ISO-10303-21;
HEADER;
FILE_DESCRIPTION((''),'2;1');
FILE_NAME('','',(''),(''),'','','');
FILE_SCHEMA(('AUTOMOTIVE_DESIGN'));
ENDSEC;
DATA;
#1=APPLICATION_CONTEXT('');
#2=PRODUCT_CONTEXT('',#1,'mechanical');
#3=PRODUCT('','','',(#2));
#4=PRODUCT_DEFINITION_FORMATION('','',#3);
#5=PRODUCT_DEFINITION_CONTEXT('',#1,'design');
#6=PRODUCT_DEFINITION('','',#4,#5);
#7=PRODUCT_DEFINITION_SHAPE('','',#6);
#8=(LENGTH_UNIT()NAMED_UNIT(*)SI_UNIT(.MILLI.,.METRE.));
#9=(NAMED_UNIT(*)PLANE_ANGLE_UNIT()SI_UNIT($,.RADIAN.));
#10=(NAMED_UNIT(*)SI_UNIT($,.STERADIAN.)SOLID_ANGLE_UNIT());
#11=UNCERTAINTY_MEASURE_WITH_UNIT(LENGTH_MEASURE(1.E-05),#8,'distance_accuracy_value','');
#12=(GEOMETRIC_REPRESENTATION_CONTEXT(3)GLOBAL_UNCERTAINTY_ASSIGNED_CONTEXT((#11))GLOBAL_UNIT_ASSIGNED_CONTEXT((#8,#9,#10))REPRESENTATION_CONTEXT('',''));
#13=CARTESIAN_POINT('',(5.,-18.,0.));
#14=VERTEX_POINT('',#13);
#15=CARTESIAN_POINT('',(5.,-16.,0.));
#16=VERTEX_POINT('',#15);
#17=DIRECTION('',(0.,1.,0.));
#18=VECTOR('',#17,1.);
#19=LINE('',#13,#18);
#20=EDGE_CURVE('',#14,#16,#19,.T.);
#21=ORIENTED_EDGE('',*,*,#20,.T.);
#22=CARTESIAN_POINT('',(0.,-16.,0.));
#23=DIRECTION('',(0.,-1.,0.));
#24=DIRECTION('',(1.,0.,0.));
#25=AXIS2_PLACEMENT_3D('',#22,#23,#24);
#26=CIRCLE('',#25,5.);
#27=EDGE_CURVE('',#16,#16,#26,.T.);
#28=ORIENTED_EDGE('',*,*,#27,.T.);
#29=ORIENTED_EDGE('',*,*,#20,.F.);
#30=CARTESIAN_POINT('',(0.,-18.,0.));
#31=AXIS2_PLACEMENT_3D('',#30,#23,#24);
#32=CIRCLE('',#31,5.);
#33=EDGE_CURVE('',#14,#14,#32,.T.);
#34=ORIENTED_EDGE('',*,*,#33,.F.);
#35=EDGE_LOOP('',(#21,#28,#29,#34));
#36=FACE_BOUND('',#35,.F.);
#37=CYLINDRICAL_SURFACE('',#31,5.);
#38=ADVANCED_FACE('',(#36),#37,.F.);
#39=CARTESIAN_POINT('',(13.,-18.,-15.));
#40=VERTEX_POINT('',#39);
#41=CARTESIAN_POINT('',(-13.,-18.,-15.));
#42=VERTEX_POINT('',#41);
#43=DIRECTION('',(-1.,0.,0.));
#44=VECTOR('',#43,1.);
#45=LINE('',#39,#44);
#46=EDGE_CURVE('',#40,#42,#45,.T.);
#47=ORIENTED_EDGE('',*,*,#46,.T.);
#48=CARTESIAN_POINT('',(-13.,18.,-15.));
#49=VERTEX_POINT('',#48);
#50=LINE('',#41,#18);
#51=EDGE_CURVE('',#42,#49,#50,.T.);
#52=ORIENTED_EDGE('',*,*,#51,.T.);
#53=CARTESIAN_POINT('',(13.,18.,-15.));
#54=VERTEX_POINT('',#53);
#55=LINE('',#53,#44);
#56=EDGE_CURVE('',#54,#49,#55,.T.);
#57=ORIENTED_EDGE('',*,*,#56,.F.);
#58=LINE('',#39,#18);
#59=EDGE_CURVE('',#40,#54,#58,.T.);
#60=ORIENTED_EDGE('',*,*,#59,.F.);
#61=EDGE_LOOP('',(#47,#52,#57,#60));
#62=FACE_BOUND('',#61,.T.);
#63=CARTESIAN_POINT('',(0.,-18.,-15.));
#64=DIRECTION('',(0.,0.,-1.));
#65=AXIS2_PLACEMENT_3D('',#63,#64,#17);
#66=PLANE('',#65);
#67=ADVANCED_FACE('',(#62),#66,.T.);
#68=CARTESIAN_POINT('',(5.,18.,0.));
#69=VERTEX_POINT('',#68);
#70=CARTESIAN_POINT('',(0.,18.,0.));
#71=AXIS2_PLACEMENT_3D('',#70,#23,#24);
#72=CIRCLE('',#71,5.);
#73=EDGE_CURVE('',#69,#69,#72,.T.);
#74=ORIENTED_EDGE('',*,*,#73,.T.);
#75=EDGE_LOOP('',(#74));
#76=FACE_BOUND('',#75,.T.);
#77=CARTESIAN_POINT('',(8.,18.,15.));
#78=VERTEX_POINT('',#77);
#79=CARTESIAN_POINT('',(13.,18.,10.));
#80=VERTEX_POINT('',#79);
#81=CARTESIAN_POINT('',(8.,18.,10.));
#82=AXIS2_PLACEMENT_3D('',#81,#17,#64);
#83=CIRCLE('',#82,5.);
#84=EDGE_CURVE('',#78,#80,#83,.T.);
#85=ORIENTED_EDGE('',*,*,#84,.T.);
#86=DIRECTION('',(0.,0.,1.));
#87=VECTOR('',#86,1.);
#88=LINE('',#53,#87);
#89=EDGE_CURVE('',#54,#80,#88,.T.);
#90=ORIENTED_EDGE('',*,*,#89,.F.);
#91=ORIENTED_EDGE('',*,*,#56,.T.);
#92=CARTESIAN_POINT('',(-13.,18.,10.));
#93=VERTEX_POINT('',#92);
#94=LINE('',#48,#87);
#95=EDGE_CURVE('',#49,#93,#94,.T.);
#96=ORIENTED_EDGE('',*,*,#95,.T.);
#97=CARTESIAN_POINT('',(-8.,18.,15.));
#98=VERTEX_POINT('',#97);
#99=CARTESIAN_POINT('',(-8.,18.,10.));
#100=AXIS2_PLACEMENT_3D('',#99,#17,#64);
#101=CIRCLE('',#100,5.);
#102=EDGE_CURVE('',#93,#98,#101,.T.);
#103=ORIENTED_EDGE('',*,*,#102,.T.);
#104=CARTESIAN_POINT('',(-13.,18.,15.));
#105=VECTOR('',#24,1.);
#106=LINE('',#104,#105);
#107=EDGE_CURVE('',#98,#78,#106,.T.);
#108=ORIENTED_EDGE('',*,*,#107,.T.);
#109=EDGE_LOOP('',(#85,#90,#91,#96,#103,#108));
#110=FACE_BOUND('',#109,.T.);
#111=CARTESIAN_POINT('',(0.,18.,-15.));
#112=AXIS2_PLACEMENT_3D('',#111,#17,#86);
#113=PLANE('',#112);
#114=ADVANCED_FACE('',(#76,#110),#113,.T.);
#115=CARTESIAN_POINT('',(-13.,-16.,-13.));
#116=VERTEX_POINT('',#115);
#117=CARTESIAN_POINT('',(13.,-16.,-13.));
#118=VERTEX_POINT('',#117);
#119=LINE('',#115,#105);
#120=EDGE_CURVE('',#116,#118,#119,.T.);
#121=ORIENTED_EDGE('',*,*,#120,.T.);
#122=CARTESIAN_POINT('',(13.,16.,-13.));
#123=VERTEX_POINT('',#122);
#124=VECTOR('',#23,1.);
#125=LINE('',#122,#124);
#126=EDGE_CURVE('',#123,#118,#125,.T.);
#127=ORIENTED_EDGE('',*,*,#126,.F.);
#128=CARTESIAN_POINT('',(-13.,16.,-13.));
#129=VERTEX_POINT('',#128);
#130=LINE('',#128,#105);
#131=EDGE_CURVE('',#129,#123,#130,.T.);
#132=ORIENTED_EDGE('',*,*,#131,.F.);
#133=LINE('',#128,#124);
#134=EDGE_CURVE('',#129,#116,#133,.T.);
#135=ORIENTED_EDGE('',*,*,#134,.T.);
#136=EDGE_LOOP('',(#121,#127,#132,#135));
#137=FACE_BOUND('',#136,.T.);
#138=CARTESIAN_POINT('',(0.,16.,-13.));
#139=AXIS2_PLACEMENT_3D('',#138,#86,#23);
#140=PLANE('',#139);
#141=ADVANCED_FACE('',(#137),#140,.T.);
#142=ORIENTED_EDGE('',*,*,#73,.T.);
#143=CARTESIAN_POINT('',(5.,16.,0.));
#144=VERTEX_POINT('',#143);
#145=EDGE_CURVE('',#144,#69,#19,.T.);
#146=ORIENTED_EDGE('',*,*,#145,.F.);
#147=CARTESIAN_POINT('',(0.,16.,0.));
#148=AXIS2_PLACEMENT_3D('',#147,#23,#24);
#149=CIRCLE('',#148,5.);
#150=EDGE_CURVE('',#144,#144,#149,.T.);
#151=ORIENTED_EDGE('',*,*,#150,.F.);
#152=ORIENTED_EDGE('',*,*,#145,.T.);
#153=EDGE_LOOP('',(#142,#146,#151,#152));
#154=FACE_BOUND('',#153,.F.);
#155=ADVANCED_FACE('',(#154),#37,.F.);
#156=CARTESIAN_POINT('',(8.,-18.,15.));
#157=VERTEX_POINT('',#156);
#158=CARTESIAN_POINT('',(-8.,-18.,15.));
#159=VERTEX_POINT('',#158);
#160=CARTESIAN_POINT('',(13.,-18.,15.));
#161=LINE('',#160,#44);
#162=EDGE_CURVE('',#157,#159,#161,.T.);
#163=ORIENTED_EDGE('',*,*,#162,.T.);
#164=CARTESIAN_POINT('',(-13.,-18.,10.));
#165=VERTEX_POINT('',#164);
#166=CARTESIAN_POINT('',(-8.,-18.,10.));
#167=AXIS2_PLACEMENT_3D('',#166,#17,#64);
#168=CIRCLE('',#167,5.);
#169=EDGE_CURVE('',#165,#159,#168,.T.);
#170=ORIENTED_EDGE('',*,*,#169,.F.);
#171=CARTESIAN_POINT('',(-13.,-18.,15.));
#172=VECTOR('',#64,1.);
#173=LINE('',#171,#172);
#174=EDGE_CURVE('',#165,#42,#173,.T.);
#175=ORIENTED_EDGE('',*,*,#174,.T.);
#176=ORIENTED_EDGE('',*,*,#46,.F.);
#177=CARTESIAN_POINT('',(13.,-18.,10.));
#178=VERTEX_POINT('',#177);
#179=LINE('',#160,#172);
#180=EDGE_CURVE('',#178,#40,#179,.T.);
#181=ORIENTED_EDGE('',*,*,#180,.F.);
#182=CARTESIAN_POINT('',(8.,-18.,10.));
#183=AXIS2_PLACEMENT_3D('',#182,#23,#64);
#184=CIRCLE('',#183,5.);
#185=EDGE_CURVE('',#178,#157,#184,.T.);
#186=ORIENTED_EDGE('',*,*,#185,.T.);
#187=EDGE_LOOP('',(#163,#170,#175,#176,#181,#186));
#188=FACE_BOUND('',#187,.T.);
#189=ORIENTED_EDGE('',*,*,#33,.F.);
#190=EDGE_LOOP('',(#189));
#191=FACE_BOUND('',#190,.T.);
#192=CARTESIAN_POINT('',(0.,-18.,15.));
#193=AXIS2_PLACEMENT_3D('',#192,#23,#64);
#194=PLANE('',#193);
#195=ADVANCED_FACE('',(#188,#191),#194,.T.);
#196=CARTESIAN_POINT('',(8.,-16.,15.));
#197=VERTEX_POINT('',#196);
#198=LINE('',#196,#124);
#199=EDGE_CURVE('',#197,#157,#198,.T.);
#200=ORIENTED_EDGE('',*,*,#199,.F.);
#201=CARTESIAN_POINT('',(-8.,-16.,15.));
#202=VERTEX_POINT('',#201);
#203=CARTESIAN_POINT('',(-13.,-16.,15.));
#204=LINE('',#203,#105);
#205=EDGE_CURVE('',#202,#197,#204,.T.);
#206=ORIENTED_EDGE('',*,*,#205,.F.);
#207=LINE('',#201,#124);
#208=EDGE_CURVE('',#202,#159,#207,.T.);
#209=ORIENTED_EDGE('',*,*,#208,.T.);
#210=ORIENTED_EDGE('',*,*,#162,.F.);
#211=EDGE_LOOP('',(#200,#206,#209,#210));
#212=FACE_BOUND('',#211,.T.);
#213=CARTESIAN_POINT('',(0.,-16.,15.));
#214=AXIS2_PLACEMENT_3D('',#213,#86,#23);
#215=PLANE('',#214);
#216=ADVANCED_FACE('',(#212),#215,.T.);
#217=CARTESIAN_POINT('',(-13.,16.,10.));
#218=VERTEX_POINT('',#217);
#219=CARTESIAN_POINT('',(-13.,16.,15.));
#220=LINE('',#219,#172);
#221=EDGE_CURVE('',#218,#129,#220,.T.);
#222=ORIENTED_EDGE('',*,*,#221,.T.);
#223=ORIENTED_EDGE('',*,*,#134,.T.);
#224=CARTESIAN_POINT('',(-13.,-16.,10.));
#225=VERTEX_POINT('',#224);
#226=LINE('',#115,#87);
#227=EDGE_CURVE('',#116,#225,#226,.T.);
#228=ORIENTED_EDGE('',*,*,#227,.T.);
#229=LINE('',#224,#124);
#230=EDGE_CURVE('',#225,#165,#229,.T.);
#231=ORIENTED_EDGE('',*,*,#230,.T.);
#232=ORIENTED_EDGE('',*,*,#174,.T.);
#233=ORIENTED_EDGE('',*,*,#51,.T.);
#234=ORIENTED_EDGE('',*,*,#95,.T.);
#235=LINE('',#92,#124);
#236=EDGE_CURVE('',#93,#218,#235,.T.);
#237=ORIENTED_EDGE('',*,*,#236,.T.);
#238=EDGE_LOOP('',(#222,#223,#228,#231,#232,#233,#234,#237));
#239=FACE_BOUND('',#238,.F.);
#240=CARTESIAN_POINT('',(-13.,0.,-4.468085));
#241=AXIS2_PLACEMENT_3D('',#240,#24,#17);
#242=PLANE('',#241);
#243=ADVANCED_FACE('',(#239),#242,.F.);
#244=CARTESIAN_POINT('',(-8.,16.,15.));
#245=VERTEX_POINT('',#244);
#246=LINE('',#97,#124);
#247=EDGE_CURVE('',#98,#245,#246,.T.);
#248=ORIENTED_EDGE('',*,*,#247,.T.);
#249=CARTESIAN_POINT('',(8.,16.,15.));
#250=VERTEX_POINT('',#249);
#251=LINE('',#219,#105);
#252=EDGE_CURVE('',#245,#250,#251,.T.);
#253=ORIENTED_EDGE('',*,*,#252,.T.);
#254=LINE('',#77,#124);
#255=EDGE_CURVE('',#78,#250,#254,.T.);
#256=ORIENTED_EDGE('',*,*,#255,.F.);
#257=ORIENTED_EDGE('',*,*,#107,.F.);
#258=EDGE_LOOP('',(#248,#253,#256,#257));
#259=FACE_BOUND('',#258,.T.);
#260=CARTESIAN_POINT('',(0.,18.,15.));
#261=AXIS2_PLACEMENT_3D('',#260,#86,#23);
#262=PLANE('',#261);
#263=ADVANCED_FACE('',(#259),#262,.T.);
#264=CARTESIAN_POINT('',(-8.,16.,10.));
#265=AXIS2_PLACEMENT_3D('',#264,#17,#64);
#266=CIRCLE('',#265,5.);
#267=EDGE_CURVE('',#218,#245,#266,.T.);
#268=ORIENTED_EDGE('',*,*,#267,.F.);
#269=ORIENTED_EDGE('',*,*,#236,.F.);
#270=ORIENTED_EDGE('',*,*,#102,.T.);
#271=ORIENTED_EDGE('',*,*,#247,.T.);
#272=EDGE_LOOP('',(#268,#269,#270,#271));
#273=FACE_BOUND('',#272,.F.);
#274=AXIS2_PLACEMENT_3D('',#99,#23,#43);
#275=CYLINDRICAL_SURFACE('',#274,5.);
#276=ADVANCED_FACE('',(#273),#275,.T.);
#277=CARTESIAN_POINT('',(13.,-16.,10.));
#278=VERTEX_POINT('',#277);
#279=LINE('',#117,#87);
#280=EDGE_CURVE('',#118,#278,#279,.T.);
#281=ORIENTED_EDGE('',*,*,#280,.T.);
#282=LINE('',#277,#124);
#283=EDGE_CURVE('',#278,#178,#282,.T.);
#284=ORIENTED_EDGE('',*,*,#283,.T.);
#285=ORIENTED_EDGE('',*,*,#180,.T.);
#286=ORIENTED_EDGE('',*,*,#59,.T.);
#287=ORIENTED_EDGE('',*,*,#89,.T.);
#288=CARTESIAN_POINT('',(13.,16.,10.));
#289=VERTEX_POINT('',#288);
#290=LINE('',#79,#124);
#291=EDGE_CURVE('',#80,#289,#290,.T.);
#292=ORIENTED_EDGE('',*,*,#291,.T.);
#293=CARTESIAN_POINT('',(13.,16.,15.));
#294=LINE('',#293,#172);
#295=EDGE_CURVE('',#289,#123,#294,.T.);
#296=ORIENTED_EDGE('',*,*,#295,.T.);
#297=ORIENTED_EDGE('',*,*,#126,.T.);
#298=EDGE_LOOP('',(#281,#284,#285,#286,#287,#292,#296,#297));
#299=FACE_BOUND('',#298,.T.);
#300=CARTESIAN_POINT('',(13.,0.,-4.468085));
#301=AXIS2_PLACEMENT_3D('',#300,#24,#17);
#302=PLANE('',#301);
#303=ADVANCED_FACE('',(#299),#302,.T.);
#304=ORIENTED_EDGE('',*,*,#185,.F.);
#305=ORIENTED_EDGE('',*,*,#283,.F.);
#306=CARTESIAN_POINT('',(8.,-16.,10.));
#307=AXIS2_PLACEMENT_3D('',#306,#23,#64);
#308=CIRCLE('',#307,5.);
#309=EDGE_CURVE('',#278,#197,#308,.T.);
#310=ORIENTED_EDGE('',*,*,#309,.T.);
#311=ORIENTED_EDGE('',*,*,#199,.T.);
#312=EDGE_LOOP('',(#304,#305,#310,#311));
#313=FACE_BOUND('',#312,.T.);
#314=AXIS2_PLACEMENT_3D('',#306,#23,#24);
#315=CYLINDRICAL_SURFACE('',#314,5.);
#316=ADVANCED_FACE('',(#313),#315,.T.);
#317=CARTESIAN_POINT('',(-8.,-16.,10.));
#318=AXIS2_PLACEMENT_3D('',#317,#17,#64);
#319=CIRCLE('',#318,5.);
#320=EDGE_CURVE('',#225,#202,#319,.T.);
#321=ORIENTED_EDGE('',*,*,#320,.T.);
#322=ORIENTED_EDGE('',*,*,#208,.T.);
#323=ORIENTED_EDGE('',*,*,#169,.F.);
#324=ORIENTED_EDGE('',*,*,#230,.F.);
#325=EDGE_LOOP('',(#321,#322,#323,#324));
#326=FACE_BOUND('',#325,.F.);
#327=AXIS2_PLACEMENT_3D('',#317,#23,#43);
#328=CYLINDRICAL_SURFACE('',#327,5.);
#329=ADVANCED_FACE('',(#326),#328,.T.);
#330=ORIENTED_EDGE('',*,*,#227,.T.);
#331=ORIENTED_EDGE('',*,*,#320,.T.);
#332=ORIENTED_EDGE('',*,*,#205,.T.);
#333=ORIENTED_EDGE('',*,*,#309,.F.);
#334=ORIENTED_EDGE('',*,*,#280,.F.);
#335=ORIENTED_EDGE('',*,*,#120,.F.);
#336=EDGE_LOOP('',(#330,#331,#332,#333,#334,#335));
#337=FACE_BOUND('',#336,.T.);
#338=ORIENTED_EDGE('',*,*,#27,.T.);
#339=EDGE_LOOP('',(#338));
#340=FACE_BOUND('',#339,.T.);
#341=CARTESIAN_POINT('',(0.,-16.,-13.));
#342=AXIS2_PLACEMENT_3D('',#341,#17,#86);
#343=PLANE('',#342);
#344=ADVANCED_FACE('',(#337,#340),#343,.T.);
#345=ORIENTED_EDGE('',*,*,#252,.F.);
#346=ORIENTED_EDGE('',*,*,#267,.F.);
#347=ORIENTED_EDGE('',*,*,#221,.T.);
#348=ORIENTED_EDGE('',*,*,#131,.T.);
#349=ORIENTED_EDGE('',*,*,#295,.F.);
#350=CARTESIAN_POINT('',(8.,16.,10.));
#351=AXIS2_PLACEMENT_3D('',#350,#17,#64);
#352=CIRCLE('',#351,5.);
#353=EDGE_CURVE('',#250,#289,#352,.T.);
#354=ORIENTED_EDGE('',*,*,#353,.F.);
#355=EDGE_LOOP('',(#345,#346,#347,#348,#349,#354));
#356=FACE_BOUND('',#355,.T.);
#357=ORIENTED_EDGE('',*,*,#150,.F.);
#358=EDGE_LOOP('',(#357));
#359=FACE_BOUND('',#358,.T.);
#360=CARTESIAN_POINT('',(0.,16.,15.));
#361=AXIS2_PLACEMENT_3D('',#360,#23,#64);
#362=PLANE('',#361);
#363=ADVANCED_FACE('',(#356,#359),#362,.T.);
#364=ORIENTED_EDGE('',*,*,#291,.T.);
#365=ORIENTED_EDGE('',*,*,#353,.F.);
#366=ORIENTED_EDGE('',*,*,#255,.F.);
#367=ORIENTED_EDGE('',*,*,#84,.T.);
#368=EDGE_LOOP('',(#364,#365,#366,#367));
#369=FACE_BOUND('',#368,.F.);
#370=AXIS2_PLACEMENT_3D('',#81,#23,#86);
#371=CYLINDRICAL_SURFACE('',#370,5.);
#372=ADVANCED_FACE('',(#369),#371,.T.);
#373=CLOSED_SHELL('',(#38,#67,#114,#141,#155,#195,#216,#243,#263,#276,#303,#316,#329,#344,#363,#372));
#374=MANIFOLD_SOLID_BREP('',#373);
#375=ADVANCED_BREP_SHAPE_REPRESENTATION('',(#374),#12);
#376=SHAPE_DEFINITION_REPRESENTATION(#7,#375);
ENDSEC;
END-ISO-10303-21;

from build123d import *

# Parameters (mm, degrees)
F1_DEPTH = 13
F2_R     = 5
F3_DEPTH = 36.001
F4_R     = 5


with BuildPart() as f1:
    # F0 (on Right) → F1 (new body, symmetric)
    with BuildSketch(Plane.YZ):
        Polygon((18, -15), (18, 15), (16, 15), (16, -13), (-16, -13), (-16, 15), (-18, 15), (-18, -15), align=None)
    extrude(amount=F1_DEPTH, both=True)

    # F2 (on face) → F3 (cut, through all)
    with BuildSketch(Plane.XZ.offset(18)):
        Circle(F2_R)
    extrude(amount=-F3_DEPTH, mode=Mode.SUBTRACT)

    # F4
    f4_edges = [f1.edges().sort_by_distance(p)[0] for p in [
        (13, -17, 15),
        (-13, -17, 15),
        (13, 17, 15),
        (-13, 17, 15),
    ]]
    fillet(f4_edges, radius=F4_R)


solid = f1.part
